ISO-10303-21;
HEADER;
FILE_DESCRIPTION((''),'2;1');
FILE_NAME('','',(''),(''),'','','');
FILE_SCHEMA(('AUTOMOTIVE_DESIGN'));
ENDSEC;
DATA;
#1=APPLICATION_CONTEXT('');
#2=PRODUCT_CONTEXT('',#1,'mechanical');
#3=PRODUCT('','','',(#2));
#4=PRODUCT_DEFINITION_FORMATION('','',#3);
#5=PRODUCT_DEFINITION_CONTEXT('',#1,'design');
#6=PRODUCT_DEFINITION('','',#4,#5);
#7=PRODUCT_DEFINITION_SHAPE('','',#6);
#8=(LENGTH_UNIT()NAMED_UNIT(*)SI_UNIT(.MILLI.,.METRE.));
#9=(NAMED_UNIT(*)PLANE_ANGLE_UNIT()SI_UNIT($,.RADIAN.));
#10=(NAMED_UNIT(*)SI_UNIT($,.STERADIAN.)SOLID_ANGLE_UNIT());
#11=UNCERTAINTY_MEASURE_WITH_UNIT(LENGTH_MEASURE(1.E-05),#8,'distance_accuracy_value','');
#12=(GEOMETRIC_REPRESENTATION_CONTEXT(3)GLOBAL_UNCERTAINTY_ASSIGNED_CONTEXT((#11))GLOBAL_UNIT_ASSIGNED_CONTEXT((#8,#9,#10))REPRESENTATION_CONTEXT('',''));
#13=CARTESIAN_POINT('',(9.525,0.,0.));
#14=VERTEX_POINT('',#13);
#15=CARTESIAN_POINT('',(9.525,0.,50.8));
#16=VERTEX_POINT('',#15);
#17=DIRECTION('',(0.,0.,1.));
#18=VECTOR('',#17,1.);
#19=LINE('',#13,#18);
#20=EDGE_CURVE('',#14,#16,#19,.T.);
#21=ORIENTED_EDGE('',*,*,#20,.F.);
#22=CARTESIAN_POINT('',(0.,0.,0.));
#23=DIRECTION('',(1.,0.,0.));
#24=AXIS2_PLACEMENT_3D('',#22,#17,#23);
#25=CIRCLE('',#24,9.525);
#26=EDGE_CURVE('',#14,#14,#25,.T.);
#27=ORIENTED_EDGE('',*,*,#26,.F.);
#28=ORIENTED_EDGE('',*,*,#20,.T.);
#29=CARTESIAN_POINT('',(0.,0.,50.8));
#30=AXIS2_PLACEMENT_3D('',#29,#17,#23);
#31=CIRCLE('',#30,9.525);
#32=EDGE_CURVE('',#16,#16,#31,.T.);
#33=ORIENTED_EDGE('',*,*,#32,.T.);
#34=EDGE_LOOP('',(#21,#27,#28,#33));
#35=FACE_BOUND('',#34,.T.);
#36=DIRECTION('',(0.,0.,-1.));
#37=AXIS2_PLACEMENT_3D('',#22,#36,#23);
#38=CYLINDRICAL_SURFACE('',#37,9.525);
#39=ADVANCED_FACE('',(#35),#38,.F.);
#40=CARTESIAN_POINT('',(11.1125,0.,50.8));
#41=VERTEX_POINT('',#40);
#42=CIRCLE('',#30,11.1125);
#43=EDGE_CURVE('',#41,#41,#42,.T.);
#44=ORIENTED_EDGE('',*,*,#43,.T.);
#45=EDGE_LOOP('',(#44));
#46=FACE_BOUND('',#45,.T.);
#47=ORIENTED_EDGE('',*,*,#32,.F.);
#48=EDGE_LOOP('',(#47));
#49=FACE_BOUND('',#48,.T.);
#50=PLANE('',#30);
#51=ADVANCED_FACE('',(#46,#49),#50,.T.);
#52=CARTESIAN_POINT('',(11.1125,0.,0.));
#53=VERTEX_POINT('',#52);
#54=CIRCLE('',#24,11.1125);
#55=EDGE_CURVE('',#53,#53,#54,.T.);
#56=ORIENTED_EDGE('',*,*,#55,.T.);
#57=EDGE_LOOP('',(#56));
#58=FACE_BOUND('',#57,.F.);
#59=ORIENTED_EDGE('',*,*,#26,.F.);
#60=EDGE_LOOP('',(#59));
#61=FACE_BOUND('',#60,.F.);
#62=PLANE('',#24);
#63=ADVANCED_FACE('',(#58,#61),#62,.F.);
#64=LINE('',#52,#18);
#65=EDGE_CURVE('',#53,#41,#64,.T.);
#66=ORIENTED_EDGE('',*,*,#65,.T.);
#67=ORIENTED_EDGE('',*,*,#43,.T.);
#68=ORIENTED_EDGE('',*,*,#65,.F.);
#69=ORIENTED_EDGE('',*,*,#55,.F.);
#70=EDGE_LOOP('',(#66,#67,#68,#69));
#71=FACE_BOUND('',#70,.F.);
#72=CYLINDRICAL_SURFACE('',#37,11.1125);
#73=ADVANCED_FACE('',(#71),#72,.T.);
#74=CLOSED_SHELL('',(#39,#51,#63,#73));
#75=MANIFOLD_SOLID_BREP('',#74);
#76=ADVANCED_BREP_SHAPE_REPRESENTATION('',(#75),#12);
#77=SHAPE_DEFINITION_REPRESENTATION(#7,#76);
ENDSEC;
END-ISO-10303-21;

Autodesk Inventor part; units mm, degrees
ref_plane "YZ Plane" through (0, 0, 0) normal (1, 0, 0) x (0, 1, 0)
ref_plane "XZ Plane" through (0, 0, 0) normal (0, 1, 0) x (-1, 0, 0)
ref_plane "XY Plane" through (0, 0, 0) normal (0, 0, 1) x (1, 0, 0)
sketch "Sketch1" plane through (0, 0, 0) normal (0, 0, 1) x (1, 0, 0)
  circle A0 centre (0, 0) radius 9.525
  circle A1 centre (0, 0) radius 11.1125
  dimension "d0" = 19.05
  dimension "d1" = 22.225
extrude "Extrusion1" add sketch "Sketch1" along normal blind 50.8
properties part number "cyl body"
